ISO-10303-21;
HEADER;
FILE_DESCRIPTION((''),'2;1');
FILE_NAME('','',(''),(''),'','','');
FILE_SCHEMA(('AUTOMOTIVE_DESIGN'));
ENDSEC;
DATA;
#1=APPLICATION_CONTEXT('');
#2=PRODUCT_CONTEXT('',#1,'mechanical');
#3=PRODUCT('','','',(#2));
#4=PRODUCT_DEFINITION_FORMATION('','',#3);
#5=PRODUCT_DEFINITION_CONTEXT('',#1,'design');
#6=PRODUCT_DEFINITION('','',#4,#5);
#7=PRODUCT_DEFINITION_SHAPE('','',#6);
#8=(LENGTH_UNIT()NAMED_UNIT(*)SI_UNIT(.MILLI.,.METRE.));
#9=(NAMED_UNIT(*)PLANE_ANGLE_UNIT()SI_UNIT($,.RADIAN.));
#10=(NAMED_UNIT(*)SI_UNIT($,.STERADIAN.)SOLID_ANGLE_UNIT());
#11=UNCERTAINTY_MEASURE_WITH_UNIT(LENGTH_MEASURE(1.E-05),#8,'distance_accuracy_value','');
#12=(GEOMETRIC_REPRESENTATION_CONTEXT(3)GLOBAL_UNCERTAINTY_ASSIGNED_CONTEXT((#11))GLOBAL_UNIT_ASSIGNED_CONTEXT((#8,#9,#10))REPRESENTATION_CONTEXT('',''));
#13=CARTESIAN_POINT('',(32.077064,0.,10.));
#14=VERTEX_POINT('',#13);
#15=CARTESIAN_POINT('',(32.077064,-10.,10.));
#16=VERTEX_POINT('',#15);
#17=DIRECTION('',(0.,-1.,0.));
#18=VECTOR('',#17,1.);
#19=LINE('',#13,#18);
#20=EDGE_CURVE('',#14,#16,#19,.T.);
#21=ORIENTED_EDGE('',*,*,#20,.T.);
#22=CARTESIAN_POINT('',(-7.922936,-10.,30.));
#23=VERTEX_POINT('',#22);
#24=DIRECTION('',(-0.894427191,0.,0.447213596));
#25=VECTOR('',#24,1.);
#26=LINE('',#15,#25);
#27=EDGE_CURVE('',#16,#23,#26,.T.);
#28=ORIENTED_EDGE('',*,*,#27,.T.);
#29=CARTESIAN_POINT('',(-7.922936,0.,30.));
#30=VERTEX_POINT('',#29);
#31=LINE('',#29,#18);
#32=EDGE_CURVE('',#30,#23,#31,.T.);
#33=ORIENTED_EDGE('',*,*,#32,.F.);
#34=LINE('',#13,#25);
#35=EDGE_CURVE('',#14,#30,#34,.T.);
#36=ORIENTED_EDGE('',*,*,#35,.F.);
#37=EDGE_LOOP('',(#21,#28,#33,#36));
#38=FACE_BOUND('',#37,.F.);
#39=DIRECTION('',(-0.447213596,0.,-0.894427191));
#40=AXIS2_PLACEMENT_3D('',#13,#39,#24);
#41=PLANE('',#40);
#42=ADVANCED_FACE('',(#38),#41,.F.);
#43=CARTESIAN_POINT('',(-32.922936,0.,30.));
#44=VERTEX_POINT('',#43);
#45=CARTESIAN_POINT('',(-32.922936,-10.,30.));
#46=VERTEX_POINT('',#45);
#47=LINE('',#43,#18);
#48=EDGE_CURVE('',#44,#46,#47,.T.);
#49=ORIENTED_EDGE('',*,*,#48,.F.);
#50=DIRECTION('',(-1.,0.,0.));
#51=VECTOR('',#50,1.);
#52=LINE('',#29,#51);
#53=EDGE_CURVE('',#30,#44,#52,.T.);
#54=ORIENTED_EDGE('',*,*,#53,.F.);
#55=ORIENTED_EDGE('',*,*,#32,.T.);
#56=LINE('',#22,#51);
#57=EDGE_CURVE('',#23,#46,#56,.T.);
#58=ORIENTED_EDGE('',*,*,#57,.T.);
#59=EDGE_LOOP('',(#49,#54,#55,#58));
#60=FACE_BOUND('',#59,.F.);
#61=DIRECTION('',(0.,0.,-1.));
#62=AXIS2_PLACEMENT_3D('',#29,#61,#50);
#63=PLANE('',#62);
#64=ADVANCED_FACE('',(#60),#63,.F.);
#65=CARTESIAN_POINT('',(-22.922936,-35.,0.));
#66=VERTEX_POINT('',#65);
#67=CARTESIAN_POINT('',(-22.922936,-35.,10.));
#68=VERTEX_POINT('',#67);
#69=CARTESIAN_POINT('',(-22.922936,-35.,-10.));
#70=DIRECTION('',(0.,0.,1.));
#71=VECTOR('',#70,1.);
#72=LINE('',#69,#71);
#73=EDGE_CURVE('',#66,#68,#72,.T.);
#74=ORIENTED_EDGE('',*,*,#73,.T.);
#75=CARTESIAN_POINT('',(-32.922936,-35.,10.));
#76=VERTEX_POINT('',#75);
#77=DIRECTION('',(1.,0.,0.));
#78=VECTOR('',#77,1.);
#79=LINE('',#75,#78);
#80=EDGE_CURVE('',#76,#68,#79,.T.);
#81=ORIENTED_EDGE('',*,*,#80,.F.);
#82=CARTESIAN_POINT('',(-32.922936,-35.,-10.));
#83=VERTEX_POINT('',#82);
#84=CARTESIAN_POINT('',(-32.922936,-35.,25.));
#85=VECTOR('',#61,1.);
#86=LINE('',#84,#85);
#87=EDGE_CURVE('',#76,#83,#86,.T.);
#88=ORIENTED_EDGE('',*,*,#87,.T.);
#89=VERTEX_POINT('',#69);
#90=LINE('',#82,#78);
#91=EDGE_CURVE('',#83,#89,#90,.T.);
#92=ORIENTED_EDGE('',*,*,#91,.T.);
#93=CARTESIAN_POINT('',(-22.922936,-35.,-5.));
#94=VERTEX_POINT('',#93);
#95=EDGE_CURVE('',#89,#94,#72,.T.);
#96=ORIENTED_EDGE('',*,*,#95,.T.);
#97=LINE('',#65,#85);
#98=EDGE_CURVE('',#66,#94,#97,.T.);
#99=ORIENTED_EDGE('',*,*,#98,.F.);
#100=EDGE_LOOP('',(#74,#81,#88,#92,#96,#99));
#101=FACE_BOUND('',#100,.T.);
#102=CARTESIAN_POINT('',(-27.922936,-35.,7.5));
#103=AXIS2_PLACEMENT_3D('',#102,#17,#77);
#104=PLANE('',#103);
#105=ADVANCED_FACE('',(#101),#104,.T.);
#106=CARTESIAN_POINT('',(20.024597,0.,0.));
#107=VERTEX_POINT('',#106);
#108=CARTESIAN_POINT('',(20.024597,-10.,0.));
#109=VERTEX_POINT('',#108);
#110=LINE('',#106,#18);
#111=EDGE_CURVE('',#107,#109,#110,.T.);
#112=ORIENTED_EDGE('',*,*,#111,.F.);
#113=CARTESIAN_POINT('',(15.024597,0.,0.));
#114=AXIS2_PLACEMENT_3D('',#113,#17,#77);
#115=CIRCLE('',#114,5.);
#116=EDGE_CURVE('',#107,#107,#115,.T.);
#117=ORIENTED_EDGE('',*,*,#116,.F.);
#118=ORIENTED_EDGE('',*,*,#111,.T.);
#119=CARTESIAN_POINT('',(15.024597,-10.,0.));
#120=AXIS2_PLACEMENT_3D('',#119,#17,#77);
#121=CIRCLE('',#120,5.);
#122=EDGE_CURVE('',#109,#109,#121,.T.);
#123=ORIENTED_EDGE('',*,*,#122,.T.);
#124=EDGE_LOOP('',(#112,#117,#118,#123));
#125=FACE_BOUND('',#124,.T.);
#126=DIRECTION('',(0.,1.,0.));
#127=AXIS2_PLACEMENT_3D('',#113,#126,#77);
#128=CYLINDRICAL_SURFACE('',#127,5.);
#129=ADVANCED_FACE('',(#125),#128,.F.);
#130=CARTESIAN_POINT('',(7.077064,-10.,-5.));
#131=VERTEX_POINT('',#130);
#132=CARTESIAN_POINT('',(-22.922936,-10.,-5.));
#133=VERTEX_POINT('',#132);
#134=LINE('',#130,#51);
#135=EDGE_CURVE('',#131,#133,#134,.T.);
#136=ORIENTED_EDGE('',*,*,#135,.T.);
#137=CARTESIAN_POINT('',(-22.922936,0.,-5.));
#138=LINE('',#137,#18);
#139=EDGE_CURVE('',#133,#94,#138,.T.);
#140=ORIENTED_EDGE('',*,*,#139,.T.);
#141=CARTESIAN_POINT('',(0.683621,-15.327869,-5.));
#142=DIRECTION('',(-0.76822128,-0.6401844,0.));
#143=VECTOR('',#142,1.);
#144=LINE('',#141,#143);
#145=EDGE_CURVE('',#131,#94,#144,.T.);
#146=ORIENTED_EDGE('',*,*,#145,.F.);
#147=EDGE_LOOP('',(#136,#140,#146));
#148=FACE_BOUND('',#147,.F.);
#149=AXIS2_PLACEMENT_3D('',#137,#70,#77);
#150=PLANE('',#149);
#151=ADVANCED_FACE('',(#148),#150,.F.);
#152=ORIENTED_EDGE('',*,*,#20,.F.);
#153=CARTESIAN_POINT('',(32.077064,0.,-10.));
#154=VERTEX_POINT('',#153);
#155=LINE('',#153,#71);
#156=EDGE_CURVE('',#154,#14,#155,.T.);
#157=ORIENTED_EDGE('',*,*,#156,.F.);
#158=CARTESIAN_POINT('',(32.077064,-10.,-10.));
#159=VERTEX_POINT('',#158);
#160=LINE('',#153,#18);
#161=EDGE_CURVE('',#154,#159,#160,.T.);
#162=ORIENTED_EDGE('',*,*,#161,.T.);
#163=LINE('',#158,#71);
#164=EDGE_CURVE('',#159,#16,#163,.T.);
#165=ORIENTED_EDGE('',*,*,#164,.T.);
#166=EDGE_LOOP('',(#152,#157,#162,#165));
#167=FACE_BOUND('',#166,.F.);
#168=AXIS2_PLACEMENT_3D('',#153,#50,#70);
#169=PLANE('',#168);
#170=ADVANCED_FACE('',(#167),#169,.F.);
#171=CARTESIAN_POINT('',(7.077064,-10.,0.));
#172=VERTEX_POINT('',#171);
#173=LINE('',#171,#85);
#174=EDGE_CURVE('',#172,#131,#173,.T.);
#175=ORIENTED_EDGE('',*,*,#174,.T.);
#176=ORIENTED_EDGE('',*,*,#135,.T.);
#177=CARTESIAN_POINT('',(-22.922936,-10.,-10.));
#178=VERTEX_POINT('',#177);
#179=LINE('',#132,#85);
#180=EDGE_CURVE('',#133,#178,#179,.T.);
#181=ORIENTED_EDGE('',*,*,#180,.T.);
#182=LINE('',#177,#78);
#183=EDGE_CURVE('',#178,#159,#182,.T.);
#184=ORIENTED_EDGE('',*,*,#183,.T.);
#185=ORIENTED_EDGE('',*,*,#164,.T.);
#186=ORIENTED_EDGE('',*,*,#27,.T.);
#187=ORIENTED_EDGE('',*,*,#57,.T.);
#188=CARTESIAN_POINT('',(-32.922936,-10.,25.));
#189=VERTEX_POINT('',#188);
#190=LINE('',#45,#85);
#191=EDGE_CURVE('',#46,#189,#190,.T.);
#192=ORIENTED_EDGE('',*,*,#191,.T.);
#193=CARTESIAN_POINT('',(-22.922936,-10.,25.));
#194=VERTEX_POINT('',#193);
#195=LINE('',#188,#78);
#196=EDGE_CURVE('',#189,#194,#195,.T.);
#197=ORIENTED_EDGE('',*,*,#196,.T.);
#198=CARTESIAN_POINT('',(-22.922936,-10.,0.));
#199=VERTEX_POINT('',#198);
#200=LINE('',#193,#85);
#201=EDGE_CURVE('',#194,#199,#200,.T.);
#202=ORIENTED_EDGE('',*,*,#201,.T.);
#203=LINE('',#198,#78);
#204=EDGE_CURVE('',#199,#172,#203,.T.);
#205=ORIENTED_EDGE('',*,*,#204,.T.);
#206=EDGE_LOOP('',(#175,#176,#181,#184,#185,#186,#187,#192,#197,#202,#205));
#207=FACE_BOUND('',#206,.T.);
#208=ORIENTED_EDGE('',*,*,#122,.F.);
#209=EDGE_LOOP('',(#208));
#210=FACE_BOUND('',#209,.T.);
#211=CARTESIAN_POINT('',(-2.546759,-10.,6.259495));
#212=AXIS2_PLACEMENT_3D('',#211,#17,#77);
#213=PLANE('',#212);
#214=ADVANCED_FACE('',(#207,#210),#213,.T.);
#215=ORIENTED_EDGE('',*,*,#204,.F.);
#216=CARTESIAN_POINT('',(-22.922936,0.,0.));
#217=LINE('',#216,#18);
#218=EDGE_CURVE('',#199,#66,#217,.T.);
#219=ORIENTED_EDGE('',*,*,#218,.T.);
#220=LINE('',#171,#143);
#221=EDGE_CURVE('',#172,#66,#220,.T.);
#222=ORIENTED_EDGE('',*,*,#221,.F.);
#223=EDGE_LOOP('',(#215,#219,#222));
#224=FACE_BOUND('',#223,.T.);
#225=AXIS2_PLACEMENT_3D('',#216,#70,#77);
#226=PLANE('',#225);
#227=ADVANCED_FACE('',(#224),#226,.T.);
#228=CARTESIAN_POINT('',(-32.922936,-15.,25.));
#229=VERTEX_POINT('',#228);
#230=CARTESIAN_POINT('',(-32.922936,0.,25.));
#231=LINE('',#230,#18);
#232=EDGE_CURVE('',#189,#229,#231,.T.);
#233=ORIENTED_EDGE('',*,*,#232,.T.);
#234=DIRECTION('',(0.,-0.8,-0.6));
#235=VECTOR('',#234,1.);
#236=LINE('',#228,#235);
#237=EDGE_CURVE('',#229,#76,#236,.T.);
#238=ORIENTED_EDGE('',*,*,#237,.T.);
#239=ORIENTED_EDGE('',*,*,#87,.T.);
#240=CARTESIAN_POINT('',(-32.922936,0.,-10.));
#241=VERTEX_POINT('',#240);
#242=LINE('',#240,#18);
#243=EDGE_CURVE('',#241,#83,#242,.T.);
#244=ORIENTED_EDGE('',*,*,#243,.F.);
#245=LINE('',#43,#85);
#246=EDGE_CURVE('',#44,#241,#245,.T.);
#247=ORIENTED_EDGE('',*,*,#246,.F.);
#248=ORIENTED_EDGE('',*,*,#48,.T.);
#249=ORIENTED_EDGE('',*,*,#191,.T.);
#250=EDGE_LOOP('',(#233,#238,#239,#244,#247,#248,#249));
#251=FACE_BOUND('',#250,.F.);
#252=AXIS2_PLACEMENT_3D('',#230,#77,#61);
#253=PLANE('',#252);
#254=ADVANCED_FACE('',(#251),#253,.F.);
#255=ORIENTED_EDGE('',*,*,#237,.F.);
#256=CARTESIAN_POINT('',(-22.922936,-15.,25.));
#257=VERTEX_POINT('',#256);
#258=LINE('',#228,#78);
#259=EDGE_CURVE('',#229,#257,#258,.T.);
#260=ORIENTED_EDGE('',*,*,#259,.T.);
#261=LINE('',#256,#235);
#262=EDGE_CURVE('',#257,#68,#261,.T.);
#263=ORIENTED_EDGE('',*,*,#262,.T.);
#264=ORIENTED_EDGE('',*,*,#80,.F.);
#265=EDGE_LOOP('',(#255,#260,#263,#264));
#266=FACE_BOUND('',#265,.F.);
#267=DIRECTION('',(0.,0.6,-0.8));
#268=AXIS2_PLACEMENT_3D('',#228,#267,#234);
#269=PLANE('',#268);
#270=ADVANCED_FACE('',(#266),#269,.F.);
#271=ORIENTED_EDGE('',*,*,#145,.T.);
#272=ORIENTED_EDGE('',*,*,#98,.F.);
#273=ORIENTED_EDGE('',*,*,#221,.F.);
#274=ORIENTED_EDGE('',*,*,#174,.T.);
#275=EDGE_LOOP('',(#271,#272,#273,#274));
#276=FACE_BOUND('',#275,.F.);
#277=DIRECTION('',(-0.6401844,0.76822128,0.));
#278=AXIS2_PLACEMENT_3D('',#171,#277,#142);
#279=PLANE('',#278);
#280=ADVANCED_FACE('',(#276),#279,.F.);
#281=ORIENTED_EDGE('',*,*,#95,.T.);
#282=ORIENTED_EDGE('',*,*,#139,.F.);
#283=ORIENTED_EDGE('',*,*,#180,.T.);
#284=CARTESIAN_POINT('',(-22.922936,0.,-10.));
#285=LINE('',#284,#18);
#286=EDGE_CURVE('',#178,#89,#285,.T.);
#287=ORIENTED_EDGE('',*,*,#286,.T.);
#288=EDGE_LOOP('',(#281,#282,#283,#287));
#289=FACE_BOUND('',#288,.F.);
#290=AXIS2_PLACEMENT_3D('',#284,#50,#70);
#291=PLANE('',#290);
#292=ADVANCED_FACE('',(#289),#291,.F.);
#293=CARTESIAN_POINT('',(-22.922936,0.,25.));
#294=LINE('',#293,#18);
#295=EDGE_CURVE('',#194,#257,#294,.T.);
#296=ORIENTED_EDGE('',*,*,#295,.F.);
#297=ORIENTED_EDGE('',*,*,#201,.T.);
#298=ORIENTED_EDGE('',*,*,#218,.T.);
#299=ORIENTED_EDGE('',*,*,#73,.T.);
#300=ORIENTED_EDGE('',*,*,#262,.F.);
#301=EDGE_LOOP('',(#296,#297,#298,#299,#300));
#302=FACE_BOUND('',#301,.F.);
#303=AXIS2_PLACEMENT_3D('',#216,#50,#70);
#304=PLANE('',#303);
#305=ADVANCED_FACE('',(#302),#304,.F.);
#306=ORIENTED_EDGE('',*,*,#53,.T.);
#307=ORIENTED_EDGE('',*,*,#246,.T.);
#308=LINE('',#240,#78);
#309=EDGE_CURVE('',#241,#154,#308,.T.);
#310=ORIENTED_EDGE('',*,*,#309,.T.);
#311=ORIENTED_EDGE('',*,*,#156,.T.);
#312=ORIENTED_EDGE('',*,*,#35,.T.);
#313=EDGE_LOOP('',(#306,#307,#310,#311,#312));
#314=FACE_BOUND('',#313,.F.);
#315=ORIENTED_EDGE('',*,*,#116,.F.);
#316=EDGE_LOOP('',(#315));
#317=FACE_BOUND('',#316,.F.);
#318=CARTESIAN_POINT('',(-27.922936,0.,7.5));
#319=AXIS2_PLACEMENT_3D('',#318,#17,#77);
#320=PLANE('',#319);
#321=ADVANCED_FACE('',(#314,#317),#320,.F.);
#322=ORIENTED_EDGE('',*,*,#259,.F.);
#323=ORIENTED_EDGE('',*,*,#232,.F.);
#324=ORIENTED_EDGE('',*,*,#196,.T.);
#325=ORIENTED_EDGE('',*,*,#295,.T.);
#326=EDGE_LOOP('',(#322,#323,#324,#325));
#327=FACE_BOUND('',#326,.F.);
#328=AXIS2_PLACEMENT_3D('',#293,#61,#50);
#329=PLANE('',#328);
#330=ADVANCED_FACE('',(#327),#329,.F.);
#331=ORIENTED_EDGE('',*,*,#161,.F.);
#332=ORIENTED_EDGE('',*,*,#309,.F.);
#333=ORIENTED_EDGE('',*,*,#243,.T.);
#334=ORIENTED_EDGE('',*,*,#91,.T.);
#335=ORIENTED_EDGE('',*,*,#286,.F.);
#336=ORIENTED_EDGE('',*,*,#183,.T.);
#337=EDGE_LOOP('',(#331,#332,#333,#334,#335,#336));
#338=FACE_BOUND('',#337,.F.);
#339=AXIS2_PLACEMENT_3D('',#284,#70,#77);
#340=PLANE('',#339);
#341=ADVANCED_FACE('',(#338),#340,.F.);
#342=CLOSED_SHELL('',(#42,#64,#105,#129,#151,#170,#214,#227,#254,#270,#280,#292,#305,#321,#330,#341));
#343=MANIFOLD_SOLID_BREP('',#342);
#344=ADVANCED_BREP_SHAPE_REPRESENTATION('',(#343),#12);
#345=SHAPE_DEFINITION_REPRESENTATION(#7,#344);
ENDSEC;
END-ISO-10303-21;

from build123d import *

# Parameters (mm, degrees)
F0_R     = 5
F1_DEPTH = 10
F0_W     = 30
F0_H     = 5
F2_DEPTH = 35
F4_DEPTH = 10
F6_DEPTH = 10


with BuildPart() as f1:
    # F0 (on Front) → F1 (new body)
    with BuildSketch(Plane.XZ):
        Polygon((-7.922936, 30), (-32.922936, 30), (-32.922936, 25), (-22.922936, 25), (-22.922936, 7.5), (-22.922936, 0), (7.077064, 0), (7.077064, -5), (-22.922936, -5), (-22.922936, -10), (32.077064, -10), (32.077064, 10), align=None)
        with Locations((15.024597, 0)):
            Circle(F0_R, mode=Mode.SUBTRACT)
    extrude(amount=F1_DEPTH)

    # F0 (on Front) → F2 (join)
    with BuildSketch(Plane.XZ):
        Polygon((-22.922936, 25), (-32.922936, 25), (-32.922936, -10), (-22.922936, -10), (-22.922936, -5), (-22.922936, 0), (-22.922936, 7.5), align=None)
        with Locations((-7.922936, -2.5)):
            Rectangle(F0_W, F0_H)
    extrude(amount=F2_DEPTH)

    # F3 (on face) → F4 (cut)
    with BuildSketch(Plane(origin=(-32.922936, 0, 0), x_dir=(0, -1, 0), z_dir=(-1, 0, 0))):
        Polygon((35, 25), (15, 25), (35, 10), align=None)
    extrude(amount=-F4_DEPTH, mode=Mode.SUBTRACT)

    # F5 (on face) → F6 (cut)
    with BuildSketch(Plane.XY):
        Polygon((7.077064, -10), (-22.922936, -35), (7.077064, -35), align=None)
    extrude(amount=-F6_DEPTH, mode=Mode.SUBTRACT)


solid = f1.part
